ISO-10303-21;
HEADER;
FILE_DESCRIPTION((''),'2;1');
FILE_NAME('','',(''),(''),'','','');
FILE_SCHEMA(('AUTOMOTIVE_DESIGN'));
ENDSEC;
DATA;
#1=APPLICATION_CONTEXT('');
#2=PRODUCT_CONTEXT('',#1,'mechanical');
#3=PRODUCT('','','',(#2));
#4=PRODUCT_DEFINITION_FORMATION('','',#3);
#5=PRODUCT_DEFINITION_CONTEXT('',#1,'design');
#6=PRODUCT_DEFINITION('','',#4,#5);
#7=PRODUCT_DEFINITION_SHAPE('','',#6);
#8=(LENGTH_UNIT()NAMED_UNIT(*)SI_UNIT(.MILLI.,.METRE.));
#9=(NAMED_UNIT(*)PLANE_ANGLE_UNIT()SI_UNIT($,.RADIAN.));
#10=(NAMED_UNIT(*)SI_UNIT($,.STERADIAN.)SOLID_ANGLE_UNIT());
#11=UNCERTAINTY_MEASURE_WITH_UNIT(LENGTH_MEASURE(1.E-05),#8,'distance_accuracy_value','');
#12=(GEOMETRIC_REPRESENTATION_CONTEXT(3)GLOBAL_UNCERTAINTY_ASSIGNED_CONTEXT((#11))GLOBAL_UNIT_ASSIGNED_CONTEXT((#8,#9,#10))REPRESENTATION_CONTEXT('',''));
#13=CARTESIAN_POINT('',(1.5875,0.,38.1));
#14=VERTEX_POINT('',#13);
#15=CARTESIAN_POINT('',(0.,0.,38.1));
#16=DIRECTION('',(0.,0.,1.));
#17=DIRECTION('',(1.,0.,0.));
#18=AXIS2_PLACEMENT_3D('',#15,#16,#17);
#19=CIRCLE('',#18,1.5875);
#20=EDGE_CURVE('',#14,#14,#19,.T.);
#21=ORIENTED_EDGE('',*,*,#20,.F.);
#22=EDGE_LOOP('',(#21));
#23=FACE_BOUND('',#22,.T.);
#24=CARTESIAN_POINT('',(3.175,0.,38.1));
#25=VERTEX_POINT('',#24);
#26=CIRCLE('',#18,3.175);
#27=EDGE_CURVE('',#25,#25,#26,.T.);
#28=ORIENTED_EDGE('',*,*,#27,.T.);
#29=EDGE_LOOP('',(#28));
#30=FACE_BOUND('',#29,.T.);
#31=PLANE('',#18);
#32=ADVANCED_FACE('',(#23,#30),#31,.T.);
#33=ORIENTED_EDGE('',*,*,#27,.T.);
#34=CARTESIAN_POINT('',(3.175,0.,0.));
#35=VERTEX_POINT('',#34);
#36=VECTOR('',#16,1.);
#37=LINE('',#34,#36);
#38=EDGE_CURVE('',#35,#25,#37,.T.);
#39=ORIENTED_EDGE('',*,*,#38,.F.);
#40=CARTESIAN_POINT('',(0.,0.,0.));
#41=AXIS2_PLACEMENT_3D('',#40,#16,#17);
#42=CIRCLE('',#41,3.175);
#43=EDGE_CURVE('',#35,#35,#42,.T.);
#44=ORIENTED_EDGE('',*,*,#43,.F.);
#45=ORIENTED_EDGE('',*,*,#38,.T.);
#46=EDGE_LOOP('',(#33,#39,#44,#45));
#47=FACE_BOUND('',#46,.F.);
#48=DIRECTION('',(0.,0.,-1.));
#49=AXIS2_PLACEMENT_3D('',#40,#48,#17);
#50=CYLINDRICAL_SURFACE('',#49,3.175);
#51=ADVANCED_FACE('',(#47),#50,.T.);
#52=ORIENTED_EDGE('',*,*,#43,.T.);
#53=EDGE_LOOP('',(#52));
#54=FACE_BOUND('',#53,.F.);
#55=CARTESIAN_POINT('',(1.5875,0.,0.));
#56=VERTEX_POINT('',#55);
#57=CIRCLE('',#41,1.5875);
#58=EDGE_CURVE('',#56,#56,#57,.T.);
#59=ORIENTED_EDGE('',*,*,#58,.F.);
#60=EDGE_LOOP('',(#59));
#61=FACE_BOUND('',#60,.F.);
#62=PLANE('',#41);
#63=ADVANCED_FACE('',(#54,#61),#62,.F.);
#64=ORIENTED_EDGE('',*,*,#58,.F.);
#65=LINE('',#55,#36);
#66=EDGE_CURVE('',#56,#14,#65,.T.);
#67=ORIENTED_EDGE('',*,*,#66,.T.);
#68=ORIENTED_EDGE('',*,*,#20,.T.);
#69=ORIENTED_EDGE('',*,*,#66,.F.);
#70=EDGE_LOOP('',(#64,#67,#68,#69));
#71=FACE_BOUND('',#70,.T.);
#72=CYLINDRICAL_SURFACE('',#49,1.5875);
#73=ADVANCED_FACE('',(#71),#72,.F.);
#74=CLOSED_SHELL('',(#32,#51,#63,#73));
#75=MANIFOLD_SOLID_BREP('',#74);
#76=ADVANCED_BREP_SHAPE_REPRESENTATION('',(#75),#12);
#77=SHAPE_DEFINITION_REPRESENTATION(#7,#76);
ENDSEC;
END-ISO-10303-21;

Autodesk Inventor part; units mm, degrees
ref_plane "YZ Plane" through (0, 0, 0) normal (1, 0, 0) x (0, 1, 0)
ref_plane "XZ Plane" through (0, 0, 0) normal (0, 1, 0) x (-1, 0, 0)
ref_plane "XY Plane" through (0, 0, 0) normal (0, 0, 1) x (1, 0, 0)
sketch "Sketch1" plane through (0, 0, 0) normal (0, 0, 1) x (1, 0, 0)
  circle A0 centre (0, 0) radius 3.175
  circle A1 centre (0, 0) radius 1.5875
  dimension "d0" = 3.175
  dimension "d1" = 6.35
extrude "Extrusion1" add sketch "Sketch1" along normal blind 38.1
properties part number "spacer"
